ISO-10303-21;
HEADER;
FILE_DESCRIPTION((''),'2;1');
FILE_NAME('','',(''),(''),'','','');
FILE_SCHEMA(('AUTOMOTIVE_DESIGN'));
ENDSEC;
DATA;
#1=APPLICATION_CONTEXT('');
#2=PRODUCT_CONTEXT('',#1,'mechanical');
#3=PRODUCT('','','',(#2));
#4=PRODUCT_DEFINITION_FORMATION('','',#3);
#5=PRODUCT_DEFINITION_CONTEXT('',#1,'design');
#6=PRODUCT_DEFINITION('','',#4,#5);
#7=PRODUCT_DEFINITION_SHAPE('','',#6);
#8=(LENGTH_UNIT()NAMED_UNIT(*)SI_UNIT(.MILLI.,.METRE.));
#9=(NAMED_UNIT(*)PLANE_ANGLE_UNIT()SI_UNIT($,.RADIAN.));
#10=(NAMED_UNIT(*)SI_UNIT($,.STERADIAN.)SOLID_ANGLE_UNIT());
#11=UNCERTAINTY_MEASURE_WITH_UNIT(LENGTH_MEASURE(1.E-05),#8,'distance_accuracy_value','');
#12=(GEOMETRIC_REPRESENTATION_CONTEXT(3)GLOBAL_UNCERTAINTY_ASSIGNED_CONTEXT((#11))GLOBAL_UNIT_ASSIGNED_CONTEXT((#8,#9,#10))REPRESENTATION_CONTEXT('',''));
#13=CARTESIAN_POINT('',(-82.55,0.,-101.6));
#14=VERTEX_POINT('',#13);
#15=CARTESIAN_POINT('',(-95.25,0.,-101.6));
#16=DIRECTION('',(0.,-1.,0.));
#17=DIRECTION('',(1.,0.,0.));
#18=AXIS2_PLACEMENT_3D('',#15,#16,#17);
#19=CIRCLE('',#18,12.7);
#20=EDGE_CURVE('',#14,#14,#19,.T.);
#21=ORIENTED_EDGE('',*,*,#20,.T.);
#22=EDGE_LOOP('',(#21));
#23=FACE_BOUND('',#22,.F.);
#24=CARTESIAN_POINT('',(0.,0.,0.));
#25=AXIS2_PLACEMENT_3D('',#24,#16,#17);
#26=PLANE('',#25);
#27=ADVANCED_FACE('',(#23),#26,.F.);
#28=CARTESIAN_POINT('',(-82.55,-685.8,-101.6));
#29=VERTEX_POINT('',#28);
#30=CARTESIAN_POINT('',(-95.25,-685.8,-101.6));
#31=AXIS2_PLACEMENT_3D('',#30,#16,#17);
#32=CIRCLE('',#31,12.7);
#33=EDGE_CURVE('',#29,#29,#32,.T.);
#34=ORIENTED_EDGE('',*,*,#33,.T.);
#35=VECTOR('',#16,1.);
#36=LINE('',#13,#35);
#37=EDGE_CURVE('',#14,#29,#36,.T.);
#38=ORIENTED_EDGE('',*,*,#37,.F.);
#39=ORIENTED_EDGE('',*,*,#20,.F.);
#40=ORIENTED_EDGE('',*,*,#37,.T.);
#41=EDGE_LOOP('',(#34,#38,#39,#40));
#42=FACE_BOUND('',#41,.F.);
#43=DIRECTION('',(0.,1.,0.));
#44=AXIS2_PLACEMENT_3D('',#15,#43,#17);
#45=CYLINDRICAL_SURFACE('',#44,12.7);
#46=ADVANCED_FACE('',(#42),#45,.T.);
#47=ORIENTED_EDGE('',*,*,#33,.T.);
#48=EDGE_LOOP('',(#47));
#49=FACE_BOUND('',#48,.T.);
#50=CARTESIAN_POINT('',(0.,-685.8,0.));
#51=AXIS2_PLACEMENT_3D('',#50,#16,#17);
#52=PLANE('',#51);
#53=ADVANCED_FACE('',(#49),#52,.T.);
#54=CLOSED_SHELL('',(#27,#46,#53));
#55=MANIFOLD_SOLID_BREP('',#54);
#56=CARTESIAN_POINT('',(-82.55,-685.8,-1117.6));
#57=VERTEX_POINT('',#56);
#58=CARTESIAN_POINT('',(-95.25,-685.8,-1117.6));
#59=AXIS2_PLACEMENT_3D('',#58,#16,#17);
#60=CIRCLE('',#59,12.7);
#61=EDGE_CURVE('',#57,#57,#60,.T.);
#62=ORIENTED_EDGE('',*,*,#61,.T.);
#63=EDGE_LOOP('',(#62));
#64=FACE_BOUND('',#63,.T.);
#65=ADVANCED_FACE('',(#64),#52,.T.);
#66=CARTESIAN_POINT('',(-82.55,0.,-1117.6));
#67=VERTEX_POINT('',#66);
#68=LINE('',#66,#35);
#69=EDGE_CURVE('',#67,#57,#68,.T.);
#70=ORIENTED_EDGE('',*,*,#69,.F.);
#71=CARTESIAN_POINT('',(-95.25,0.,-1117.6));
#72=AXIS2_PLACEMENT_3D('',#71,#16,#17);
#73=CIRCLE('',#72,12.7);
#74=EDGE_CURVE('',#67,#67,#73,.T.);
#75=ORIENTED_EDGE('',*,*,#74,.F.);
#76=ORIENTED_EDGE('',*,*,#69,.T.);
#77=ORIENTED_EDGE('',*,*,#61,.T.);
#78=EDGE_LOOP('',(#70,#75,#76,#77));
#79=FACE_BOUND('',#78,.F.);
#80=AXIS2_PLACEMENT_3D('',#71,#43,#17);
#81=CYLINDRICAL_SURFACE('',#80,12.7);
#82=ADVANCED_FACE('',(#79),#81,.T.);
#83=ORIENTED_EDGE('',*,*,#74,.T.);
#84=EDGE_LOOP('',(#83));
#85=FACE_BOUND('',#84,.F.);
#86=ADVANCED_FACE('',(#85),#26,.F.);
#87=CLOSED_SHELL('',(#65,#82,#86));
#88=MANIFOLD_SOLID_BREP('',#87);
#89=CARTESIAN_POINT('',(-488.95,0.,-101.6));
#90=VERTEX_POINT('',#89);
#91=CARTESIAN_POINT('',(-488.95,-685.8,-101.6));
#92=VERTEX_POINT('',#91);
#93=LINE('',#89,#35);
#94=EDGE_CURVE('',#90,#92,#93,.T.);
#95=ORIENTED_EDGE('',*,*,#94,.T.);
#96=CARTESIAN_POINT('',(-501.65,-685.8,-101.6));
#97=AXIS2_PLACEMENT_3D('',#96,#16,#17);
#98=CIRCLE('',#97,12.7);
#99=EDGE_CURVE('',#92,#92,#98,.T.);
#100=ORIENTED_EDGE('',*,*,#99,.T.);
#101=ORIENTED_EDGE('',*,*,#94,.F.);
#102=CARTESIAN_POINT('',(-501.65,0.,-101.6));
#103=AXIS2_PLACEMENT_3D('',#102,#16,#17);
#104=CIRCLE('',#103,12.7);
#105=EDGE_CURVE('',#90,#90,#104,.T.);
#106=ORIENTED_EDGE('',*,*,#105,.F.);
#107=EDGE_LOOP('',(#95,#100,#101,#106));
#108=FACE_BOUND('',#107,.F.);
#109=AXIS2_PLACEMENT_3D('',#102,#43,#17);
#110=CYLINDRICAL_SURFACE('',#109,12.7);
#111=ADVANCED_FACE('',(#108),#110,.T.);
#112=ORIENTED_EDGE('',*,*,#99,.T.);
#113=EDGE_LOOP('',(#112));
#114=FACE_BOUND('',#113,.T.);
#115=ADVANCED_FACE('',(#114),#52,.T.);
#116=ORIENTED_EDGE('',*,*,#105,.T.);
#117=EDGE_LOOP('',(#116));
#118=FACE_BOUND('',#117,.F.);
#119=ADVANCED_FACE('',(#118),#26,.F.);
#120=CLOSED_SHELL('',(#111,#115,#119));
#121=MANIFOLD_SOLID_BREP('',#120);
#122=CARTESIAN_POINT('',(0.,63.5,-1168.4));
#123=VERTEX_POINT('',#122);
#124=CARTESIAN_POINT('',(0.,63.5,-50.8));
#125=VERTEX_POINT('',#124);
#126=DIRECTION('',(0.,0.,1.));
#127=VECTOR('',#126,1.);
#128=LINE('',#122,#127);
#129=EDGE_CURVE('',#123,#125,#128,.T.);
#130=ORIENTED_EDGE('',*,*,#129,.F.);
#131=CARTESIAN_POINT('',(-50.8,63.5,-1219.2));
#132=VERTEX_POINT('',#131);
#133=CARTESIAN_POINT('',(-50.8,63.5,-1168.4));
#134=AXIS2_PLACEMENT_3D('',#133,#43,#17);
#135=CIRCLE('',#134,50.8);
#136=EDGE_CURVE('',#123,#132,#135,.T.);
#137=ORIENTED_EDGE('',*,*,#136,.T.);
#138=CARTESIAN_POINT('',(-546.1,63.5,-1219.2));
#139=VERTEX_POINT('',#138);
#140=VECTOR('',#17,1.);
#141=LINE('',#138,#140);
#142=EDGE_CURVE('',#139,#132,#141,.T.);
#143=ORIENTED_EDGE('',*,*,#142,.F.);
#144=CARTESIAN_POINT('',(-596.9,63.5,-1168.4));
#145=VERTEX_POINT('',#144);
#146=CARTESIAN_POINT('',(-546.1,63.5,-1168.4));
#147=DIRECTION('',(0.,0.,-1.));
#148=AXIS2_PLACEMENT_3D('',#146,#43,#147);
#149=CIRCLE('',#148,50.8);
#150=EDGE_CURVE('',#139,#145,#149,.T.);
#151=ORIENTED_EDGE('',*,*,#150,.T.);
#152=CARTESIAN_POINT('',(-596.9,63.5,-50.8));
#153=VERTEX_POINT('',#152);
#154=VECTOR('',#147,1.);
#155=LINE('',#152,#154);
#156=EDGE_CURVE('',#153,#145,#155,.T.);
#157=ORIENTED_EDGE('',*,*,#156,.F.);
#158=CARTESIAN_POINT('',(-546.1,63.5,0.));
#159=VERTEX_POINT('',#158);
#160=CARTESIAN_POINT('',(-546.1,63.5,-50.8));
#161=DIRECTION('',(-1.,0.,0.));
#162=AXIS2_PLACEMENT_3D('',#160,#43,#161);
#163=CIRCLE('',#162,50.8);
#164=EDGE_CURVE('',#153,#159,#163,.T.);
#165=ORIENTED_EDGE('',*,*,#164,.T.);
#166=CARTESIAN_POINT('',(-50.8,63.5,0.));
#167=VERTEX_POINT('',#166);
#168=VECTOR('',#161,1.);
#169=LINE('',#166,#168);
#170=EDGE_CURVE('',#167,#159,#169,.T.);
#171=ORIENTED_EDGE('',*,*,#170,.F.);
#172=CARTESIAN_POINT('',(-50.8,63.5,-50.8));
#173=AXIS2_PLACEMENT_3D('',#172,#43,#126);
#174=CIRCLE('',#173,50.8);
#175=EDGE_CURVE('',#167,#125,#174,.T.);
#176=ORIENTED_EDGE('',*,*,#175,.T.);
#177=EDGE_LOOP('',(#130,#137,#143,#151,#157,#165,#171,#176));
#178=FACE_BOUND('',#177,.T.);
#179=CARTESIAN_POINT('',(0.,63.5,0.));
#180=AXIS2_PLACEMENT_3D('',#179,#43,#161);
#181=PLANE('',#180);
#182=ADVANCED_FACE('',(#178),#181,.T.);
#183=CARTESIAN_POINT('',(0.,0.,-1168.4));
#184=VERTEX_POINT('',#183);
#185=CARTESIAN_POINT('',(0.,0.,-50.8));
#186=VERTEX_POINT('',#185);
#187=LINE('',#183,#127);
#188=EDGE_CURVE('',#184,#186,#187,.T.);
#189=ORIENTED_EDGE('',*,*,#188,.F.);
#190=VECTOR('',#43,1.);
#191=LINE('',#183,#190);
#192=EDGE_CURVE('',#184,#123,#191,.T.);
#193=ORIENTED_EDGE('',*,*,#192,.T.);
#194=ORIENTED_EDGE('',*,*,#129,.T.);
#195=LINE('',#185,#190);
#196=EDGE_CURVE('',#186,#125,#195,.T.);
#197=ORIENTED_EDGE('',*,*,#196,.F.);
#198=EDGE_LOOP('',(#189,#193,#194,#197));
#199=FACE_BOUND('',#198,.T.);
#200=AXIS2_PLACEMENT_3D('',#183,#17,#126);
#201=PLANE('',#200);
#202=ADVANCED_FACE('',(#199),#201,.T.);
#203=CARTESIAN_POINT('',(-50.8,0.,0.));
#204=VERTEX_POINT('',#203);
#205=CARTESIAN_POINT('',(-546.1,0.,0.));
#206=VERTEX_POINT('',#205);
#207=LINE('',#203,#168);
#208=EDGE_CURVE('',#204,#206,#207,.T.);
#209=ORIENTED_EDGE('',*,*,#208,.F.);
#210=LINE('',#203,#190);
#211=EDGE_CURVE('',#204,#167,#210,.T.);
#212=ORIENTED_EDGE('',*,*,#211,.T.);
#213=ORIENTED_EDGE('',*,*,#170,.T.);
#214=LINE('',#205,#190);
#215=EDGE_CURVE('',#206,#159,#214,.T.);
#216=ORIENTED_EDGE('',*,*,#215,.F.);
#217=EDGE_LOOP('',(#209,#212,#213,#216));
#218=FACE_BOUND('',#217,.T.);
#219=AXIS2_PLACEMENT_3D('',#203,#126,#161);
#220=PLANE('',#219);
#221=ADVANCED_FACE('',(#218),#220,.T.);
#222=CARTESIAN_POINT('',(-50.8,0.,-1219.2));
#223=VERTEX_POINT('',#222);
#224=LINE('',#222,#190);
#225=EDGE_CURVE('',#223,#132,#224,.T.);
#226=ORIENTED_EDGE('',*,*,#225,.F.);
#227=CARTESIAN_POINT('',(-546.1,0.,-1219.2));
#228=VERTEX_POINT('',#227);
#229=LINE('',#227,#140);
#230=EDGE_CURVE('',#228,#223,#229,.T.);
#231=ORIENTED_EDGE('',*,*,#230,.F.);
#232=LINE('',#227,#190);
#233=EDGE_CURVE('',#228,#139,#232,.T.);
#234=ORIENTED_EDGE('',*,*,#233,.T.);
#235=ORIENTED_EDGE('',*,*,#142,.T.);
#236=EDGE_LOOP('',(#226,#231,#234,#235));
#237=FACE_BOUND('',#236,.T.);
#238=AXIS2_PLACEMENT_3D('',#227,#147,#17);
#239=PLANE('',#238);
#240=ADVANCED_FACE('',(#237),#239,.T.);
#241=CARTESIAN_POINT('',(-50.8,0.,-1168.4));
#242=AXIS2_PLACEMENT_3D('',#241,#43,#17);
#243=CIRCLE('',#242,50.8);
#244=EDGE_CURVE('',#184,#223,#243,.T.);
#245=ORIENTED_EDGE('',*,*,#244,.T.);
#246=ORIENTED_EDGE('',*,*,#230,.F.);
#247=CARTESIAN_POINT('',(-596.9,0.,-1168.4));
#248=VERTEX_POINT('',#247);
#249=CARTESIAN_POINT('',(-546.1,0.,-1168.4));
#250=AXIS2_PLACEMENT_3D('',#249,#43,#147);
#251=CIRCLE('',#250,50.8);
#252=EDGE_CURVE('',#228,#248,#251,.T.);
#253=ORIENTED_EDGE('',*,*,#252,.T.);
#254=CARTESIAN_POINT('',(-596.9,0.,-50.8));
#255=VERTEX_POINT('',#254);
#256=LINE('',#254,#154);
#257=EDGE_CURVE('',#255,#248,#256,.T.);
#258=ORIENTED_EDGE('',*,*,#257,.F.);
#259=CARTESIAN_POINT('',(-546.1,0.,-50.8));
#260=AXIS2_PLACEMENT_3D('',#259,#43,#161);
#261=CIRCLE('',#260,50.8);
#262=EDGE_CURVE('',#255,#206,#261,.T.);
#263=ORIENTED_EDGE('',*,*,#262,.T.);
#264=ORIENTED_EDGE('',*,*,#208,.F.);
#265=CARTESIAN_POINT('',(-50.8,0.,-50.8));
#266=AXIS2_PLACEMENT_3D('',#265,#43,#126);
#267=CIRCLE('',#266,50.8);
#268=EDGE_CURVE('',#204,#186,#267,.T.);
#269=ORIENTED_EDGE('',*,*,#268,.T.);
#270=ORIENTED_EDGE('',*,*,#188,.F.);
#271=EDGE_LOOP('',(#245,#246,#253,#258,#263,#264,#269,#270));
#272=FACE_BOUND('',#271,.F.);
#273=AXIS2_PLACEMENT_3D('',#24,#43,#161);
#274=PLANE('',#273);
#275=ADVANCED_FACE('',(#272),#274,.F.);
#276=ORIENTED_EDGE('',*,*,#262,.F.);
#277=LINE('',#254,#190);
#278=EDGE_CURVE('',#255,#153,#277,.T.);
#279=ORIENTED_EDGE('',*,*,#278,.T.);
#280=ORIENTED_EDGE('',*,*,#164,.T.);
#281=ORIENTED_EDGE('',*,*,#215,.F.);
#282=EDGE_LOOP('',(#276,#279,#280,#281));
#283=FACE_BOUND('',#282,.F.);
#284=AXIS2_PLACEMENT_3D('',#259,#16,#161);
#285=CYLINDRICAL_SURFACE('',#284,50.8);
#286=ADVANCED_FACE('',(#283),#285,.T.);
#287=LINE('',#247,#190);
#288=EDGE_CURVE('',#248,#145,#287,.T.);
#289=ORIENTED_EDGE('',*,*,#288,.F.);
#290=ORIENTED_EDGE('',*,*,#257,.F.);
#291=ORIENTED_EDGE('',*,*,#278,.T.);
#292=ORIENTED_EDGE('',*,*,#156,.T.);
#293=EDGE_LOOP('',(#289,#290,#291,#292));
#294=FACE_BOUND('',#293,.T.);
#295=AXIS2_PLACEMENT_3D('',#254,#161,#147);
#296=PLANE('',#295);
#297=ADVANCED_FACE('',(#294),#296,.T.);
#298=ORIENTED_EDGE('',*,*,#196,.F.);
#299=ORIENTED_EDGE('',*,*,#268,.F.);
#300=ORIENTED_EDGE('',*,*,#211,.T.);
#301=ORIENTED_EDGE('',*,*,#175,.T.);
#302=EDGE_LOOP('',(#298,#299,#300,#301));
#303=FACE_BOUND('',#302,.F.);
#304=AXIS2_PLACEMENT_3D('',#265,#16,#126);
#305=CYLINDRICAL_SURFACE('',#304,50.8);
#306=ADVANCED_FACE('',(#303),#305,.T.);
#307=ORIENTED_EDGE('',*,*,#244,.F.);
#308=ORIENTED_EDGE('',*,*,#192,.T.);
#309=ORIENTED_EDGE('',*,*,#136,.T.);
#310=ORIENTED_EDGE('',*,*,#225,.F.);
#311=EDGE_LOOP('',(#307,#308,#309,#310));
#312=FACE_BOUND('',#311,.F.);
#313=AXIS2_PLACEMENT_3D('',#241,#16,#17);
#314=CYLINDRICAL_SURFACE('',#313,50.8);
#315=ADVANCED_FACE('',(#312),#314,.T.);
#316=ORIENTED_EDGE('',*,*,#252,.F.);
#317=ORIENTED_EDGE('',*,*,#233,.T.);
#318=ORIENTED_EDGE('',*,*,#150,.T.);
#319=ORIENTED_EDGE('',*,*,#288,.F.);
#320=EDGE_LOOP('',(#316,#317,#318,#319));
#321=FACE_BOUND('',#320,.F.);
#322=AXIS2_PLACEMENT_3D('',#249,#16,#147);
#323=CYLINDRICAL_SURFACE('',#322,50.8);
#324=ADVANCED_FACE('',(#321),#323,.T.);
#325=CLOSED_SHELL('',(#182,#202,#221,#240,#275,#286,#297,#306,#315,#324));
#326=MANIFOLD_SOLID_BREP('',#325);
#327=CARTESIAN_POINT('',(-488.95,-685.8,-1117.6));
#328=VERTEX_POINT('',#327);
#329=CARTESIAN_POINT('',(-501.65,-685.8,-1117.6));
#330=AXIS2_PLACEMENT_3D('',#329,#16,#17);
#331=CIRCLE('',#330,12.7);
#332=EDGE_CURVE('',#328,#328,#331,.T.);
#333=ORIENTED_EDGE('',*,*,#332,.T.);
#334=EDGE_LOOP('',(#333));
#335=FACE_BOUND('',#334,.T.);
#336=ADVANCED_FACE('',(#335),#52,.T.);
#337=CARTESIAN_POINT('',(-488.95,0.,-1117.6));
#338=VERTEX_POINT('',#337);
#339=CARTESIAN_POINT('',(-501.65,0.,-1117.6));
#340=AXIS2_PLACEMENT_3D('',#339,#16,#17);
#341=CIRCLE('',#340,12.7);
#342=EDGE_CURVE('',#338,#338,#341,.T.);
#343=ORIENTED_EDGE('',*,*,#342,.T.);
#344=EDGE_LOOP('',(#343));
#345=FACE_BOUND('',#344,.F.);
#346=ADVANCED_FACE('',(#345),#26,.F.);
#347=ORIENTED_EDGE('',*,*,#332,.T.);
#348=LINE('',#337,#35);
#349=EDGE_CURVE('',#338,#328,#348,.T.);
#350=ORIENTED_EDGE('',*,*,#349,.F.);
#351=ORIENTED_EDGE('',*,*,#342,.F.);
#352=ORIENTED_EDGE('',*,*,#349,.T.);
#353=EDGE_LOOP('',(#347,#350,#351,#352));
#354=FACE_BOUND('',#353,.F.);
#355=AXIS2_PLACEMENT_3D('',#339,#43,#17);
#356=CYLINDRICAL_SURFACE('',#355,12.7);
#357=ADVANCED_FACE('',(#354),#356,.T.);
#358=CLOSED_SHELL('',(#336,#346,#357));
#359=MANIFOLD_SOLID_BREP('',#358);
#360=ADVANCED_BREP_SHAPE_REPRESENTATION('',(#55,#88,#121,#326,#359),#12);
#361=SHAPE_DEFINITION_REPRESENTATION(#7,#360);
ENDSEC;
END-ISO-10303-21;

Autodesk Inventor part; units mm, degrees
ref_plane "YZ Plane" through (0, 0, 0) normal (1, 0, 0) x (0, 1, 0)
ref_plane "XZ Plane" through (0, 0, 0) normal (0, 1, 0) x (-1, 0, 0)
ref_plane "XY Plane" through (0, 0, 0) normal (0, 0, 1) x (1, 0, 0)
sketch "Sketch1" plane through (0, 0, 0) normal (0, 1, 0) x (-1, 0, 0)
  line L0 (50.8, 0) -> (546.1, 0)
  line L1 (596.9, -50.8) -> (596.9, -1168.4)
  line L2 (546.1, -1219.2) -> (50.8, -1219.2)
  line L3 (0, -1168.4) -> (0, -50.8)
  arc A0 (596.9, -50.8) -> (546.1, 0) centre (546.1, -50.8) ccw
  arc A1 (50.8, 0) -> (0, -50.8) centre (50.8, -50.8) ccw
  arc A2 (0, -1168.4) -> (50.8, -1219.2) centre (50.8, -1168.4) ccw
  arc A3 (546.1, -1219.2) -> (596.9, -1168.4) centre (546.1, -1168.4) ccw
  point P0 (0, 0)
  point P1 (596.9, -1219.2)
  point P2 (596.9, 0)
  point P3 (0, -1219.2)
  dimension "d0" = 596.9
  dimension "d1" = 1219.2
  dimension "d2" = 50.8
extrude "Extrusion1" add sketch "Sketch1" along normal blind 63.5
sketch "Sketch2" plane through (0, 0, 0) normal (0, -1, 0) x (1, 0, 0)
  circle A0 centre (-95.25, -101.6) radius 12.7
  line L0 (-222.0778, -191.3187) -> (-285.2767, -191.3187) construction
  circle A1 centre (-501.65, -101.6) radius 12.7
  line L1 (0, -50.8) -> (0, -1168.4) projected
  line L2 (-596.9, -1168.4) -> (-596.9, -50.8) projected
  line L3 (-50.8, -1219.2) -> (-546.1, -1219.2) projected
  line L4 (-546.1, 0) -> (-50.8, 0) projected
  circle A2 centre (-95.25, -1117.6) radius 12.7
  circle A3 centre (-501.65, -1117.6) radius 12.7
  point P0 (0, 0)
  dimension "d5" = 12.7
  dimension "d8" = 406.4
  dimension "d13" = 95.25
  dimension "d15" = 95.25
  dimension "d16" = 596.9
  dimension "d17" = 1219.2
  dimension "d18" = 101.6
  dimension "d21" = 1016
  dimension "d26" = 101.6
extrude "Extrusion2" add sketch "Sketch2" along normal blind 685.8 separate body
equation "\"d13\" = d15"
equation "\"d15\" = 0.5 * d16 - 0.5 * d8"
equation "\"d18\" = 0.0833333 * d17"
equation "\"d26\" = d18"
properties part number "table" material "Wood (Oak)"
